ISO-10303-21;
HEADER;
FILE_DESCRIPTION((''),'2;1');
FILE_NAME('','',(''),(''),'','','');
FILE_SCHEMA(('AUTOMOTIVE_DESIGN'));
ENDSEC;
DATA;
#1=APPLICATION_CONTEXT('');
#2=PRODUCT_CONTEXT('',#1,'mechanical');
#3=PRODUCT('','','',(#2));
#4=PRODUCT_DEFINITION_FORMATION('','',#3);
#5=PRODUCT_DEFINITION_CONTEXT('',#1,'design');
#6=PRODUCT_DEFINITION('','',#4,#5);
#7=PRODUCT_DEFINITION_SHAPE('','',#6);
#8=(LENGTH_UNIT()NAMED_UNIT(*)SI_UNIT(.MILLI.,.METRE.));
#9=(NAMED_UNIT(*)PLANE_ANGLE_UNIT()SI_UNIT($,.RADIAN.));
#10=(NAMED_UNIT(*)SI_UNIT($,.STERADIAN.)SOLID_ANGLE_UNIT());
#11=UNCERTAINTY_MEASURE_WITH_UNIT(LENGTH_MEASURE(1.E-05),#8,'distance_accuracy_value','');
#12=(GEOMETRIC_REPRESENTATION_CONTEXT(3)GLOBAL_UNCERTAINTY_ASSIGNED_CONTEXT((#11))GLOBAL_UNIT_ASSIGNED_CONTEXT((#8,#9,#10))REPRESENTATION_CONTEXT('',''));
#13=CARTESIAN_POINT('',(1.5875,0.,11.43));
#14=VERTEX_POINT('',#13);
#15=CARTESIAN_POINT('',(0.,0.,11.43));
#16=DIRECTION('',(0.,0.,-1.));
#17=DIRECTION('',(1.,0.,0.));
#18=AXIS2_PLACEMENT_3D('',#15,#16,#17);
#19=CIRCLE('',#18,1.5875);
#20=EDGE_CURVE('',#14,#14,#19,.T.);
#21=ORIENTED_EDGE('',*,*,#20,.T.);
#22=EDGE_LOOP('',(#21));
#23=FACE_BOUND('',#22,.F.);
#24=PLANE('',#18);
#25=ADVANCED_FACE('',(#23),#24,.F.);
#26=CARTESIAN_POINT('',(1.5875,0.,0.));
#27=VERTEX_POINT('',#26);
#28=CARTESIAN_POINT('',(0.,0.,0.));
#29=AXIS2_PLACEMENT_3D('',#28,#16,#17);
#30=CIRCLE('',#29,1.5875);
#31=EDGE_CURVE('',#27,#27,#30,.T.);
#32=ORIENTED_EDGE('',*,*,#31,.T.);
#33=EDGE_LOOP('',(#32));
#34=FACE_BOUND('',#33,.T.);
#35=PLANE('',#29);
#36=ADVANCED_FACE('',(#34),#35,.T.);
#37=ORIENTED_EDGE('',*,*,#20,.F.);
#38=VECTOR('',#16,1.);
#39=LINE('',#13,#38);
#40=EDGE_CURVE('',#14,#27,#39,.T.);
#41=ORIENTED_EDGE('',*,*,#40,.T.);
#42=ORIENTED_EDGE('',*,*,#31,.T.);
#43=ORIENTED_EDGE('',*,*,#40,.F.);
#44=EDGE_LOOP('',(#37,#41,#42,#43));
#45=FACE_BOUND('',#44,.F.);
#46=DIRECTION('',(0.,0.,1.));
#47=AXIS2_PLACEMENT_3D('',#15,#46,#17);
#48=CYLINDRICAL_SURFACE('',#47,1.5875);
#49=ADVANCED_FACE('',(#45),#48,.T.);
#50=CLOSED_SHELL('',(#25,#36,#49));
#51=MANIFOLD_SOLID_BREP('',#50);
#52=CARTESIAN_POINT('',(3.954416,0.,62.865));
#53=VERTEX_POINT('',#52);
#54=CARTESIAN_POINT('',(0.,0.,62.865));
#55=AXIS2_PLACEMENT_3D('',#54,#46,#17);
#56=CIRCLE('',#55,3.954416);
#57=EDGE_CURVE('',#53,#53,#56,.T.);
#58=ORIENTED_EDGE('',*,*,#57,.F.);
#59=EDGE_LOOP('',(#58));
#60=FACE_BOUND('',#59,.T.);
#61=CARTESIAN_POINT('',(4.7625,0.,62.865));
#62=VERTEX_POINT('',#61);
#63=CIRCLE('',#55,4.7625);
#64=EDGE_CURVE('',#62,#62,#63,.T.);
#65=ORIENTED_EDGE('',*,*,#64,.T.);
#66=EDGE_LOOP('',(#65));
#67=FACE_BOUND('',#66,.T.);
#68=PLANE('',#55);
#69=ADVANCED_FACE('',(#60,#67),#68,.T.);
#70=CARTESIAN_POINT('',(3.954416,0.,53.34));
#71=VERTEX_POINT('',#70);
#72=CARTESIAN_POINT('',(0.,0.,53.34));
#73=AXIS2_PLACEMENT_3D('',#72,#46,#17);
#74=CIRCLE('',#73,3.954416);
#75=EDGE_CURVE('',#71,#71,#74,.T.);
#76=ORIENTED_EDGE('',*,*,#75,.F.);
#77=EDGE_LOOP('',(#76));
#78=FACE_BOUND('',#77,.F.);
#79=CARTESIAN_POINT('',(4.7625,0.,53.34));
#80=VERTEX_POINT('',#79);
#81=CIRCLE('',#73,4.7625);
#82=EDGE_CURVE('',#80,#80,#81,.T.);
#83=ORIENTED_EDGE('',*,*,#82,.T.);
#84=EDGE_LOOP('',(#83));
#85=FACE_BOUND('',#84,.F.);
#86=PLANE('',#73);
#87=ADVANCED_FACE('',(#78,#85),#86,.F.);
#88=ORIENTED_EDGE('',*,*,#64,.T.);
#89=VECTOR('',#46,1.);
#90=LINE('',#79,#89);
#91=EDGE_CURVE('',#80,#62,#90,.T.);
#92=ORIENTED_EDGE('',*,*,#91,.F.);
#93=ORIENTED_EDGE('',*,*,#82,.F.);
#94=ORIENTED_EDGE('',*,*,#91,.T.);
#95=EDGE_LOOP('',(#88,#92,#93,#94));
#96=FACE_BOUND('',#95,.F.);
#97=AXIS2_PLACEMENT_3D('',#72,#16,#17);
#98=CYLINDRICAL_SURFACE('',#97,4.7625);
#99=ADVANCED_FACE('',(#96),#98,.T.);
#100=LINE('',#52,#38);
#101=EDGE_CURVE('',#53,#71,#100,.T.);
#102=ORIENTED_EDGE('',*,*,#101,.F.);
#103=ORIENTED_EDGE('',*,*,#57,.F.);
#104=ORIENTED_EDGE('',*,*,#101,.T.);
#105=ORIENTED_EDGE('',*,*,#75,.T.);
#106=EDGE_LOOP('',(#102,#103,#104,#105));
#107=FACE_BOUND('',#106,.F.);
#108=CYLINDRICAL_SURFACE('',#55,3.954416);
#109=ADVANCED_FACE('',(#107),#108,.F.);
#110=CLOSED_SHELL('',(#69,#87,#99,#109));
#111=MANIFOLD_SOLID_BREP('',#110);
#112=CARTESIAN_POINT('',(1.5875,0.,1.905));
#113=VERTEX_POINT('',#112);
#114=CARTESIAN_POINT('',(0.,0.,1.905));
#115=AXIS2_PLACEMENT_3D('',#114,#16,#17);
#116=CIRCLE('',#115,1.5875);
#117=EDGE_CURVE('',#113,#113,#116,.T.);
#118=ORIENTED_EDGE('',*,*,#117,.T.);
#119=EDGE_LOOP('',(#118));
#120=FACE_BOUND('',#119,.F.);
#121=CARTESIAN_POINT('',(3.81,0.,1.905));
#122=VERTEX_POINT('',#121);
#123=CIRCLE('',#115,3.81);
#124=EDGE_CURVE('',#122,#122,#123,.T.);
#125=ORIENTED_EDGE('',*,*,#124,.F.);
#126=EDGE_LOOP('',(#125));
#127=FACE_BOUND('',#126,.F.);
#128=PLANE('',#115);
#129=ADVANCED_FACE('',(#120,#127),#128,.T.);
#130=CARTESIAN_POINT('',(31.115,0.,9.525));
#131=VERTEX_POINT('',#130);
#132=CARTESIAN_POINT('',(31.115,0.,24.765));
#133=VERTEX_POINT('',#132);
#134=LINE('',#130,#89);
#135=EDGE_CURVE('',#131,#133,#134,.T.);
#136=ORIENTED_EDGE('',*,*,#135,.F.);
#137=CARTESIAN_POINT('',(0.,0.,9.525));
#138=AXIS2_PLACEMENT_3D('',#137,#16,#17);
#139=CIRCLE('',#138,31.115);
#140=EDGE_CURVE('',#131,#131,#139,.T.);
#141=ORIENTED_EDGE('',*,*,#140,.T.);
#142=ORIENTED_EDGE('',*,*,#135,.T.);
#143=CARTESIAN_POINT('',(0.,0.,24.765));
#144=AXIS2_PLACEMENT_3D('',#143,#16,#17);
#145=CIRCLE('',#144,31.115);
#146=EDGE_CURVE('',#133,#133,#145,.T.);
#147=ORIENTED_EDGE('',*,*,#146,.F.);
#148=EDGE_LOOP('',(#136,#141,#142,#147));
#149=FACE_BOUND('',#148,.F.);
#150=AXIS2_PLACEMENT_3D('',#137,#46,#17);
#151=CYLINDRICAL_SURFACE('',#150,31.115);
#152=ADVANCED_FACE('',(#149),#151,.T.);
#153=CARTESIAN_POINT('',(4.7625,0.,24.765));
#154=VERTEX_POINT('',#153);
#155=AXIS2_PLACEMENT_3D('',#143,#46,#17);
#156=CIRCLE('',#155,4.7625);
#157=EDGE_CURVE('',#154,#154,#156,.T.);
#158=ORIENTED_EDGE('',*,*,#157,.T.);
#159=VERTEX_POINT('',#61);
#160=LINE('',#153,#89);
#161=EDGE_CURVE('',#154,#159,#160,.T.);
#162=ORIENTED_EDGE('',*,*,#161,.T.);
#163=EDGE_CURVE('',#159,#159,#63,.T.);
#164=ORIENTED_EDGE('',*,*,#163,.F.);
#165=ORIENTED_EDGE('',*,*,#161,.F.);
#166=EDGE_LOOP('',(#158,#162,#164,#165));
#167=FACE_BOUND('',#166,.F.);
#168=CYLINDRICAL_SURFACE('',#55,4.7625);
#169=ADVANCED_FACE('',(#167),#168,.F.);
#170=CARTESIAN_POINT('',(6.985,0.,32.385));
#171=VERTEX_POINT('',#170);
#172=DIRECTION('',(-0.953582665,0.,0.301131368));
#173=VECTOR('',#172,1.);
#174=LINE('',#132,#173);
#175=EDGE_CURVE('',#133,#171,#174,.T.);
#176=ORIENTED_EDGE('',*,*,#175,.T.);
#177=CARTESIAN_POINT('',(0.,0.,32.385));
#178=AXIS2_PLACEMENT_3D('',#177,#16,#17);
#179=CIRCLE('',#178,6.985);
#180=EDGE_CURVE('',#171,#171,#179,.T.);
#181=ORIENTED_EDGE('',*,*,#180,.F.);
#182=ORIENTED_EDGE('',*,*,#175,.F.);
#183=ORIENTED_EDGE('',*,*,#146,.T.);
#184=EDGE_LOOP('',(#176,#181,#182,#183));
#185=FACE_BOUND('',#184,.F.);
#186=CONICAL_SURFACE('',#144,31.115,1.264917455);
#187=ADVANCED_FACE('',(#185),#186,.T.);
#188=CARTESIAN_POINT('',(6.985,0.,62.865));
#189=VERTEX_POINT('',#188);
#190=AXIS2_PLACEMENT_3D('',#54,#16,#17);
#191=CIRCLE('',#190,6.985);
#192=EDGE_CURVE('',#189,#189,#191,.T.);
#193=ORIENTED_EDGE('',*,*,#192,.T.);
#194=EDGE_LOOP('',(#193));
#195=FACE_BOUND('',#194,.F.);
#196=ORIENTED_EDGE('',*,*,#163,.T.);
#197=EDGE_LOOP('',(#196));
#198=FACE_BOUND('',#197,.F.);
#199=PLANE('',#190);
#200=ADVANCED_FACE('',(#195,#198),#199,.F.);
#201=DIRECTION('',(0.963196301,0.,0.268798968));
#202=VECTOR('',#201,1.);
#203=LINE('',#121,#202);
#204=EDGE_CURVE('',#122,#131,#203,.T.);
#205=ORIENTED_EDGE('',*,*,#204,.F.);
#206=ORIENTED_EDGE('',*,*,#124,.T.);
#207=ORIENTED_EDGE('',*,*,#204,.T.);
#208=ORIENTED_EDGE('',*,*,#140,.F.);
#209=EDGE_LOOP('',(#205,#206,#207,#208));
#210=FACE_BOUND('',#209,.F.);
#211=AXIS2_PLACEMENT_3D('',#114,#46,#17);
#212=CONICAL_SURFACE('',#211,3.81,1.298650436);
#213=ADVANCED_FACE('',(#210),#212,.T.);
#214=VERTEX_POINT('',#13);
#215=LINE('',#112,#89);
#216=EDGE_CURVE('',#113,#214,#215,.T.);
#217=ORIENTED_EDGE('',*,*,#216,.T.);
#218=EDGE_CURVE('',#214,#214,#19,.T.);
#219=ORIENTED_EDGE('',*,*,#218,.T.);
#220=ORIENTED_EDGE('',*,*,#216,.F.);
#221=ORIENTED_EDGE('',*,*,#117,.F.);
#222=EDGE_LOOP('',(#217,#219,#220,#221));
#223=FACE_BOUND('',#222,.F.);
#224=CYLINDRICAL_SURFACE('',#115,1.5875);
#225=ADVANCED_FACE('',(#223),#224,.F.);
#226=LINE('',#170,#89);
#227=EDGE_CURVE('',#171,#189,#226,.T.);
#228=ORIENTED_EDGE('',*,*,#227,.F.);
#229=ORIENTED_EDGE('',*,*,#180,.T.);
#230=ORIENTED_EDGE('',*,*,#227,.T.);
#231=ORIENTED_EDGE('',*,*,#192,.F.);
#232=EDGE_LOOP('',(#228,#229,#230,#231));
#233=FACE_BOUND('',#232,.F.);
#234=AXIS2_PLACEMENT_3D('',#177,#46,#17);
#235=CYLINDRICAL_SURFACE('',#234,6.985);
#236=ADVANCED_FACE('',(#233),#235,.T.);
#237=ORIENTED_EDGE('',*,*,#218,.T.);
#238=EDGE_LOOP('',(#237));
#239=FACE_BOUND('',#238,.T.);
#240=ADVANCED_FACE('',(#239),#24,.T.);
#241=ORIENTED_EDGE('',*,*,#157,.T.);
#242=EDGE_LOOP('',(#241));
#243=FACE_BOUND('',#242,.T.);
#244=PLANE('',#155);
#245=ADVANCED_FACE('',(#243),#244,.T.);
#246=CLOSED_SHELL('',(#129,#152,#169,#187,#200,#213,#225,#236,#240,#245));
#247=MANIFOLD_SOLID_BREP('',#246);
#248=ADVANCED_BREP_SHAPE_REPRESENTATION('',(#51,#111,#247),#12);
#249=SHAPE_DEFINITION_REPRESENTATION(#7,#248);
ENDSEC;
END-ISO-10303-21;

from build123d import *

# Parameters (mm, degrees)
F2_R      = 4.7625
F3_DEPTH  = 9.525
F4_R      = 1.5875
F5_DEPTH  = 9.525
F3_FACE_R = 4.7625
F6_DEPTH  = 9.525
F7_R      = 3.954416
F8_DEPTH  = 9.525
F5_FACE_R = 1.5875
F9_DEPTH  = 11.43
F10_DEPTH = 28.575


with BuildPart() as f1:
    # F0 (on Front) → F1 (revolve)
    with BuildSketch(Plane.XZ):
        Polygon((3.81, 1.905), (31.115, 9.525), (31.115, 24.765), (6.985, 32.385), (6.985, 62.865), (0, 62.865), (0, 1.905), align=None)
    revolve(axis=Axis((0, 0, 32.385), (0, 0, -1)))

    # F2 (on face) → F3 (cut)
    with BuildSketch(Plane.XY.offset(62.865)):
        Circle(F2_R)
    extrude(amount=-F3_DEPTH, mode=Mode.SUBTRACT)

    # F4 (on face) → F5 (cut)
    with BuildSketch(Plane(origin=(0, 0, 1.905), x_dir=(1, 0, 0), z_dir=(0, 0, -1))):
        Circle(F4_R)
    extrude(amount=-F5_DEPTH, mode=Mode.SUBTRACT)

    # F3_face (on face) → F10 (cut)
    with BuildSketch(Plane.XY.offset(53.34)):
        Circle(F3_FACE_R)
    extrude(amount=-F10_DEPTH, mode=Mode.SUBTRACT)


with BuildPart() as f6:
    # F3_face (on face) → F6 (new body)
    with BuildSketch(Plane.XY.offset(53.34)):
        Circle(F3_FACE_R)
    extrude(amount=F6_DEPTH)

    # F7 (on face) → F8 (cut)
    with BuildSketch(Plane.XY.offset(62.865)):
        Circle(F7_R)
    extrude(amount=-F8_DEPTH, mode=Mode.SUBTRACT)


with BuildPart() as f9:
    # F5_face (on face) → F9 (new body)
    with BuildSketch(Plane(origin=(0, 0, 11.43), x_dir=(1, 0, 0), z_dir=(0, 0, -1))):
        Circle(F5_FACE_R)
    extrude(amount=F9_DEPTH)


solid = Compound([f1.part, f6.part, f9.part])
